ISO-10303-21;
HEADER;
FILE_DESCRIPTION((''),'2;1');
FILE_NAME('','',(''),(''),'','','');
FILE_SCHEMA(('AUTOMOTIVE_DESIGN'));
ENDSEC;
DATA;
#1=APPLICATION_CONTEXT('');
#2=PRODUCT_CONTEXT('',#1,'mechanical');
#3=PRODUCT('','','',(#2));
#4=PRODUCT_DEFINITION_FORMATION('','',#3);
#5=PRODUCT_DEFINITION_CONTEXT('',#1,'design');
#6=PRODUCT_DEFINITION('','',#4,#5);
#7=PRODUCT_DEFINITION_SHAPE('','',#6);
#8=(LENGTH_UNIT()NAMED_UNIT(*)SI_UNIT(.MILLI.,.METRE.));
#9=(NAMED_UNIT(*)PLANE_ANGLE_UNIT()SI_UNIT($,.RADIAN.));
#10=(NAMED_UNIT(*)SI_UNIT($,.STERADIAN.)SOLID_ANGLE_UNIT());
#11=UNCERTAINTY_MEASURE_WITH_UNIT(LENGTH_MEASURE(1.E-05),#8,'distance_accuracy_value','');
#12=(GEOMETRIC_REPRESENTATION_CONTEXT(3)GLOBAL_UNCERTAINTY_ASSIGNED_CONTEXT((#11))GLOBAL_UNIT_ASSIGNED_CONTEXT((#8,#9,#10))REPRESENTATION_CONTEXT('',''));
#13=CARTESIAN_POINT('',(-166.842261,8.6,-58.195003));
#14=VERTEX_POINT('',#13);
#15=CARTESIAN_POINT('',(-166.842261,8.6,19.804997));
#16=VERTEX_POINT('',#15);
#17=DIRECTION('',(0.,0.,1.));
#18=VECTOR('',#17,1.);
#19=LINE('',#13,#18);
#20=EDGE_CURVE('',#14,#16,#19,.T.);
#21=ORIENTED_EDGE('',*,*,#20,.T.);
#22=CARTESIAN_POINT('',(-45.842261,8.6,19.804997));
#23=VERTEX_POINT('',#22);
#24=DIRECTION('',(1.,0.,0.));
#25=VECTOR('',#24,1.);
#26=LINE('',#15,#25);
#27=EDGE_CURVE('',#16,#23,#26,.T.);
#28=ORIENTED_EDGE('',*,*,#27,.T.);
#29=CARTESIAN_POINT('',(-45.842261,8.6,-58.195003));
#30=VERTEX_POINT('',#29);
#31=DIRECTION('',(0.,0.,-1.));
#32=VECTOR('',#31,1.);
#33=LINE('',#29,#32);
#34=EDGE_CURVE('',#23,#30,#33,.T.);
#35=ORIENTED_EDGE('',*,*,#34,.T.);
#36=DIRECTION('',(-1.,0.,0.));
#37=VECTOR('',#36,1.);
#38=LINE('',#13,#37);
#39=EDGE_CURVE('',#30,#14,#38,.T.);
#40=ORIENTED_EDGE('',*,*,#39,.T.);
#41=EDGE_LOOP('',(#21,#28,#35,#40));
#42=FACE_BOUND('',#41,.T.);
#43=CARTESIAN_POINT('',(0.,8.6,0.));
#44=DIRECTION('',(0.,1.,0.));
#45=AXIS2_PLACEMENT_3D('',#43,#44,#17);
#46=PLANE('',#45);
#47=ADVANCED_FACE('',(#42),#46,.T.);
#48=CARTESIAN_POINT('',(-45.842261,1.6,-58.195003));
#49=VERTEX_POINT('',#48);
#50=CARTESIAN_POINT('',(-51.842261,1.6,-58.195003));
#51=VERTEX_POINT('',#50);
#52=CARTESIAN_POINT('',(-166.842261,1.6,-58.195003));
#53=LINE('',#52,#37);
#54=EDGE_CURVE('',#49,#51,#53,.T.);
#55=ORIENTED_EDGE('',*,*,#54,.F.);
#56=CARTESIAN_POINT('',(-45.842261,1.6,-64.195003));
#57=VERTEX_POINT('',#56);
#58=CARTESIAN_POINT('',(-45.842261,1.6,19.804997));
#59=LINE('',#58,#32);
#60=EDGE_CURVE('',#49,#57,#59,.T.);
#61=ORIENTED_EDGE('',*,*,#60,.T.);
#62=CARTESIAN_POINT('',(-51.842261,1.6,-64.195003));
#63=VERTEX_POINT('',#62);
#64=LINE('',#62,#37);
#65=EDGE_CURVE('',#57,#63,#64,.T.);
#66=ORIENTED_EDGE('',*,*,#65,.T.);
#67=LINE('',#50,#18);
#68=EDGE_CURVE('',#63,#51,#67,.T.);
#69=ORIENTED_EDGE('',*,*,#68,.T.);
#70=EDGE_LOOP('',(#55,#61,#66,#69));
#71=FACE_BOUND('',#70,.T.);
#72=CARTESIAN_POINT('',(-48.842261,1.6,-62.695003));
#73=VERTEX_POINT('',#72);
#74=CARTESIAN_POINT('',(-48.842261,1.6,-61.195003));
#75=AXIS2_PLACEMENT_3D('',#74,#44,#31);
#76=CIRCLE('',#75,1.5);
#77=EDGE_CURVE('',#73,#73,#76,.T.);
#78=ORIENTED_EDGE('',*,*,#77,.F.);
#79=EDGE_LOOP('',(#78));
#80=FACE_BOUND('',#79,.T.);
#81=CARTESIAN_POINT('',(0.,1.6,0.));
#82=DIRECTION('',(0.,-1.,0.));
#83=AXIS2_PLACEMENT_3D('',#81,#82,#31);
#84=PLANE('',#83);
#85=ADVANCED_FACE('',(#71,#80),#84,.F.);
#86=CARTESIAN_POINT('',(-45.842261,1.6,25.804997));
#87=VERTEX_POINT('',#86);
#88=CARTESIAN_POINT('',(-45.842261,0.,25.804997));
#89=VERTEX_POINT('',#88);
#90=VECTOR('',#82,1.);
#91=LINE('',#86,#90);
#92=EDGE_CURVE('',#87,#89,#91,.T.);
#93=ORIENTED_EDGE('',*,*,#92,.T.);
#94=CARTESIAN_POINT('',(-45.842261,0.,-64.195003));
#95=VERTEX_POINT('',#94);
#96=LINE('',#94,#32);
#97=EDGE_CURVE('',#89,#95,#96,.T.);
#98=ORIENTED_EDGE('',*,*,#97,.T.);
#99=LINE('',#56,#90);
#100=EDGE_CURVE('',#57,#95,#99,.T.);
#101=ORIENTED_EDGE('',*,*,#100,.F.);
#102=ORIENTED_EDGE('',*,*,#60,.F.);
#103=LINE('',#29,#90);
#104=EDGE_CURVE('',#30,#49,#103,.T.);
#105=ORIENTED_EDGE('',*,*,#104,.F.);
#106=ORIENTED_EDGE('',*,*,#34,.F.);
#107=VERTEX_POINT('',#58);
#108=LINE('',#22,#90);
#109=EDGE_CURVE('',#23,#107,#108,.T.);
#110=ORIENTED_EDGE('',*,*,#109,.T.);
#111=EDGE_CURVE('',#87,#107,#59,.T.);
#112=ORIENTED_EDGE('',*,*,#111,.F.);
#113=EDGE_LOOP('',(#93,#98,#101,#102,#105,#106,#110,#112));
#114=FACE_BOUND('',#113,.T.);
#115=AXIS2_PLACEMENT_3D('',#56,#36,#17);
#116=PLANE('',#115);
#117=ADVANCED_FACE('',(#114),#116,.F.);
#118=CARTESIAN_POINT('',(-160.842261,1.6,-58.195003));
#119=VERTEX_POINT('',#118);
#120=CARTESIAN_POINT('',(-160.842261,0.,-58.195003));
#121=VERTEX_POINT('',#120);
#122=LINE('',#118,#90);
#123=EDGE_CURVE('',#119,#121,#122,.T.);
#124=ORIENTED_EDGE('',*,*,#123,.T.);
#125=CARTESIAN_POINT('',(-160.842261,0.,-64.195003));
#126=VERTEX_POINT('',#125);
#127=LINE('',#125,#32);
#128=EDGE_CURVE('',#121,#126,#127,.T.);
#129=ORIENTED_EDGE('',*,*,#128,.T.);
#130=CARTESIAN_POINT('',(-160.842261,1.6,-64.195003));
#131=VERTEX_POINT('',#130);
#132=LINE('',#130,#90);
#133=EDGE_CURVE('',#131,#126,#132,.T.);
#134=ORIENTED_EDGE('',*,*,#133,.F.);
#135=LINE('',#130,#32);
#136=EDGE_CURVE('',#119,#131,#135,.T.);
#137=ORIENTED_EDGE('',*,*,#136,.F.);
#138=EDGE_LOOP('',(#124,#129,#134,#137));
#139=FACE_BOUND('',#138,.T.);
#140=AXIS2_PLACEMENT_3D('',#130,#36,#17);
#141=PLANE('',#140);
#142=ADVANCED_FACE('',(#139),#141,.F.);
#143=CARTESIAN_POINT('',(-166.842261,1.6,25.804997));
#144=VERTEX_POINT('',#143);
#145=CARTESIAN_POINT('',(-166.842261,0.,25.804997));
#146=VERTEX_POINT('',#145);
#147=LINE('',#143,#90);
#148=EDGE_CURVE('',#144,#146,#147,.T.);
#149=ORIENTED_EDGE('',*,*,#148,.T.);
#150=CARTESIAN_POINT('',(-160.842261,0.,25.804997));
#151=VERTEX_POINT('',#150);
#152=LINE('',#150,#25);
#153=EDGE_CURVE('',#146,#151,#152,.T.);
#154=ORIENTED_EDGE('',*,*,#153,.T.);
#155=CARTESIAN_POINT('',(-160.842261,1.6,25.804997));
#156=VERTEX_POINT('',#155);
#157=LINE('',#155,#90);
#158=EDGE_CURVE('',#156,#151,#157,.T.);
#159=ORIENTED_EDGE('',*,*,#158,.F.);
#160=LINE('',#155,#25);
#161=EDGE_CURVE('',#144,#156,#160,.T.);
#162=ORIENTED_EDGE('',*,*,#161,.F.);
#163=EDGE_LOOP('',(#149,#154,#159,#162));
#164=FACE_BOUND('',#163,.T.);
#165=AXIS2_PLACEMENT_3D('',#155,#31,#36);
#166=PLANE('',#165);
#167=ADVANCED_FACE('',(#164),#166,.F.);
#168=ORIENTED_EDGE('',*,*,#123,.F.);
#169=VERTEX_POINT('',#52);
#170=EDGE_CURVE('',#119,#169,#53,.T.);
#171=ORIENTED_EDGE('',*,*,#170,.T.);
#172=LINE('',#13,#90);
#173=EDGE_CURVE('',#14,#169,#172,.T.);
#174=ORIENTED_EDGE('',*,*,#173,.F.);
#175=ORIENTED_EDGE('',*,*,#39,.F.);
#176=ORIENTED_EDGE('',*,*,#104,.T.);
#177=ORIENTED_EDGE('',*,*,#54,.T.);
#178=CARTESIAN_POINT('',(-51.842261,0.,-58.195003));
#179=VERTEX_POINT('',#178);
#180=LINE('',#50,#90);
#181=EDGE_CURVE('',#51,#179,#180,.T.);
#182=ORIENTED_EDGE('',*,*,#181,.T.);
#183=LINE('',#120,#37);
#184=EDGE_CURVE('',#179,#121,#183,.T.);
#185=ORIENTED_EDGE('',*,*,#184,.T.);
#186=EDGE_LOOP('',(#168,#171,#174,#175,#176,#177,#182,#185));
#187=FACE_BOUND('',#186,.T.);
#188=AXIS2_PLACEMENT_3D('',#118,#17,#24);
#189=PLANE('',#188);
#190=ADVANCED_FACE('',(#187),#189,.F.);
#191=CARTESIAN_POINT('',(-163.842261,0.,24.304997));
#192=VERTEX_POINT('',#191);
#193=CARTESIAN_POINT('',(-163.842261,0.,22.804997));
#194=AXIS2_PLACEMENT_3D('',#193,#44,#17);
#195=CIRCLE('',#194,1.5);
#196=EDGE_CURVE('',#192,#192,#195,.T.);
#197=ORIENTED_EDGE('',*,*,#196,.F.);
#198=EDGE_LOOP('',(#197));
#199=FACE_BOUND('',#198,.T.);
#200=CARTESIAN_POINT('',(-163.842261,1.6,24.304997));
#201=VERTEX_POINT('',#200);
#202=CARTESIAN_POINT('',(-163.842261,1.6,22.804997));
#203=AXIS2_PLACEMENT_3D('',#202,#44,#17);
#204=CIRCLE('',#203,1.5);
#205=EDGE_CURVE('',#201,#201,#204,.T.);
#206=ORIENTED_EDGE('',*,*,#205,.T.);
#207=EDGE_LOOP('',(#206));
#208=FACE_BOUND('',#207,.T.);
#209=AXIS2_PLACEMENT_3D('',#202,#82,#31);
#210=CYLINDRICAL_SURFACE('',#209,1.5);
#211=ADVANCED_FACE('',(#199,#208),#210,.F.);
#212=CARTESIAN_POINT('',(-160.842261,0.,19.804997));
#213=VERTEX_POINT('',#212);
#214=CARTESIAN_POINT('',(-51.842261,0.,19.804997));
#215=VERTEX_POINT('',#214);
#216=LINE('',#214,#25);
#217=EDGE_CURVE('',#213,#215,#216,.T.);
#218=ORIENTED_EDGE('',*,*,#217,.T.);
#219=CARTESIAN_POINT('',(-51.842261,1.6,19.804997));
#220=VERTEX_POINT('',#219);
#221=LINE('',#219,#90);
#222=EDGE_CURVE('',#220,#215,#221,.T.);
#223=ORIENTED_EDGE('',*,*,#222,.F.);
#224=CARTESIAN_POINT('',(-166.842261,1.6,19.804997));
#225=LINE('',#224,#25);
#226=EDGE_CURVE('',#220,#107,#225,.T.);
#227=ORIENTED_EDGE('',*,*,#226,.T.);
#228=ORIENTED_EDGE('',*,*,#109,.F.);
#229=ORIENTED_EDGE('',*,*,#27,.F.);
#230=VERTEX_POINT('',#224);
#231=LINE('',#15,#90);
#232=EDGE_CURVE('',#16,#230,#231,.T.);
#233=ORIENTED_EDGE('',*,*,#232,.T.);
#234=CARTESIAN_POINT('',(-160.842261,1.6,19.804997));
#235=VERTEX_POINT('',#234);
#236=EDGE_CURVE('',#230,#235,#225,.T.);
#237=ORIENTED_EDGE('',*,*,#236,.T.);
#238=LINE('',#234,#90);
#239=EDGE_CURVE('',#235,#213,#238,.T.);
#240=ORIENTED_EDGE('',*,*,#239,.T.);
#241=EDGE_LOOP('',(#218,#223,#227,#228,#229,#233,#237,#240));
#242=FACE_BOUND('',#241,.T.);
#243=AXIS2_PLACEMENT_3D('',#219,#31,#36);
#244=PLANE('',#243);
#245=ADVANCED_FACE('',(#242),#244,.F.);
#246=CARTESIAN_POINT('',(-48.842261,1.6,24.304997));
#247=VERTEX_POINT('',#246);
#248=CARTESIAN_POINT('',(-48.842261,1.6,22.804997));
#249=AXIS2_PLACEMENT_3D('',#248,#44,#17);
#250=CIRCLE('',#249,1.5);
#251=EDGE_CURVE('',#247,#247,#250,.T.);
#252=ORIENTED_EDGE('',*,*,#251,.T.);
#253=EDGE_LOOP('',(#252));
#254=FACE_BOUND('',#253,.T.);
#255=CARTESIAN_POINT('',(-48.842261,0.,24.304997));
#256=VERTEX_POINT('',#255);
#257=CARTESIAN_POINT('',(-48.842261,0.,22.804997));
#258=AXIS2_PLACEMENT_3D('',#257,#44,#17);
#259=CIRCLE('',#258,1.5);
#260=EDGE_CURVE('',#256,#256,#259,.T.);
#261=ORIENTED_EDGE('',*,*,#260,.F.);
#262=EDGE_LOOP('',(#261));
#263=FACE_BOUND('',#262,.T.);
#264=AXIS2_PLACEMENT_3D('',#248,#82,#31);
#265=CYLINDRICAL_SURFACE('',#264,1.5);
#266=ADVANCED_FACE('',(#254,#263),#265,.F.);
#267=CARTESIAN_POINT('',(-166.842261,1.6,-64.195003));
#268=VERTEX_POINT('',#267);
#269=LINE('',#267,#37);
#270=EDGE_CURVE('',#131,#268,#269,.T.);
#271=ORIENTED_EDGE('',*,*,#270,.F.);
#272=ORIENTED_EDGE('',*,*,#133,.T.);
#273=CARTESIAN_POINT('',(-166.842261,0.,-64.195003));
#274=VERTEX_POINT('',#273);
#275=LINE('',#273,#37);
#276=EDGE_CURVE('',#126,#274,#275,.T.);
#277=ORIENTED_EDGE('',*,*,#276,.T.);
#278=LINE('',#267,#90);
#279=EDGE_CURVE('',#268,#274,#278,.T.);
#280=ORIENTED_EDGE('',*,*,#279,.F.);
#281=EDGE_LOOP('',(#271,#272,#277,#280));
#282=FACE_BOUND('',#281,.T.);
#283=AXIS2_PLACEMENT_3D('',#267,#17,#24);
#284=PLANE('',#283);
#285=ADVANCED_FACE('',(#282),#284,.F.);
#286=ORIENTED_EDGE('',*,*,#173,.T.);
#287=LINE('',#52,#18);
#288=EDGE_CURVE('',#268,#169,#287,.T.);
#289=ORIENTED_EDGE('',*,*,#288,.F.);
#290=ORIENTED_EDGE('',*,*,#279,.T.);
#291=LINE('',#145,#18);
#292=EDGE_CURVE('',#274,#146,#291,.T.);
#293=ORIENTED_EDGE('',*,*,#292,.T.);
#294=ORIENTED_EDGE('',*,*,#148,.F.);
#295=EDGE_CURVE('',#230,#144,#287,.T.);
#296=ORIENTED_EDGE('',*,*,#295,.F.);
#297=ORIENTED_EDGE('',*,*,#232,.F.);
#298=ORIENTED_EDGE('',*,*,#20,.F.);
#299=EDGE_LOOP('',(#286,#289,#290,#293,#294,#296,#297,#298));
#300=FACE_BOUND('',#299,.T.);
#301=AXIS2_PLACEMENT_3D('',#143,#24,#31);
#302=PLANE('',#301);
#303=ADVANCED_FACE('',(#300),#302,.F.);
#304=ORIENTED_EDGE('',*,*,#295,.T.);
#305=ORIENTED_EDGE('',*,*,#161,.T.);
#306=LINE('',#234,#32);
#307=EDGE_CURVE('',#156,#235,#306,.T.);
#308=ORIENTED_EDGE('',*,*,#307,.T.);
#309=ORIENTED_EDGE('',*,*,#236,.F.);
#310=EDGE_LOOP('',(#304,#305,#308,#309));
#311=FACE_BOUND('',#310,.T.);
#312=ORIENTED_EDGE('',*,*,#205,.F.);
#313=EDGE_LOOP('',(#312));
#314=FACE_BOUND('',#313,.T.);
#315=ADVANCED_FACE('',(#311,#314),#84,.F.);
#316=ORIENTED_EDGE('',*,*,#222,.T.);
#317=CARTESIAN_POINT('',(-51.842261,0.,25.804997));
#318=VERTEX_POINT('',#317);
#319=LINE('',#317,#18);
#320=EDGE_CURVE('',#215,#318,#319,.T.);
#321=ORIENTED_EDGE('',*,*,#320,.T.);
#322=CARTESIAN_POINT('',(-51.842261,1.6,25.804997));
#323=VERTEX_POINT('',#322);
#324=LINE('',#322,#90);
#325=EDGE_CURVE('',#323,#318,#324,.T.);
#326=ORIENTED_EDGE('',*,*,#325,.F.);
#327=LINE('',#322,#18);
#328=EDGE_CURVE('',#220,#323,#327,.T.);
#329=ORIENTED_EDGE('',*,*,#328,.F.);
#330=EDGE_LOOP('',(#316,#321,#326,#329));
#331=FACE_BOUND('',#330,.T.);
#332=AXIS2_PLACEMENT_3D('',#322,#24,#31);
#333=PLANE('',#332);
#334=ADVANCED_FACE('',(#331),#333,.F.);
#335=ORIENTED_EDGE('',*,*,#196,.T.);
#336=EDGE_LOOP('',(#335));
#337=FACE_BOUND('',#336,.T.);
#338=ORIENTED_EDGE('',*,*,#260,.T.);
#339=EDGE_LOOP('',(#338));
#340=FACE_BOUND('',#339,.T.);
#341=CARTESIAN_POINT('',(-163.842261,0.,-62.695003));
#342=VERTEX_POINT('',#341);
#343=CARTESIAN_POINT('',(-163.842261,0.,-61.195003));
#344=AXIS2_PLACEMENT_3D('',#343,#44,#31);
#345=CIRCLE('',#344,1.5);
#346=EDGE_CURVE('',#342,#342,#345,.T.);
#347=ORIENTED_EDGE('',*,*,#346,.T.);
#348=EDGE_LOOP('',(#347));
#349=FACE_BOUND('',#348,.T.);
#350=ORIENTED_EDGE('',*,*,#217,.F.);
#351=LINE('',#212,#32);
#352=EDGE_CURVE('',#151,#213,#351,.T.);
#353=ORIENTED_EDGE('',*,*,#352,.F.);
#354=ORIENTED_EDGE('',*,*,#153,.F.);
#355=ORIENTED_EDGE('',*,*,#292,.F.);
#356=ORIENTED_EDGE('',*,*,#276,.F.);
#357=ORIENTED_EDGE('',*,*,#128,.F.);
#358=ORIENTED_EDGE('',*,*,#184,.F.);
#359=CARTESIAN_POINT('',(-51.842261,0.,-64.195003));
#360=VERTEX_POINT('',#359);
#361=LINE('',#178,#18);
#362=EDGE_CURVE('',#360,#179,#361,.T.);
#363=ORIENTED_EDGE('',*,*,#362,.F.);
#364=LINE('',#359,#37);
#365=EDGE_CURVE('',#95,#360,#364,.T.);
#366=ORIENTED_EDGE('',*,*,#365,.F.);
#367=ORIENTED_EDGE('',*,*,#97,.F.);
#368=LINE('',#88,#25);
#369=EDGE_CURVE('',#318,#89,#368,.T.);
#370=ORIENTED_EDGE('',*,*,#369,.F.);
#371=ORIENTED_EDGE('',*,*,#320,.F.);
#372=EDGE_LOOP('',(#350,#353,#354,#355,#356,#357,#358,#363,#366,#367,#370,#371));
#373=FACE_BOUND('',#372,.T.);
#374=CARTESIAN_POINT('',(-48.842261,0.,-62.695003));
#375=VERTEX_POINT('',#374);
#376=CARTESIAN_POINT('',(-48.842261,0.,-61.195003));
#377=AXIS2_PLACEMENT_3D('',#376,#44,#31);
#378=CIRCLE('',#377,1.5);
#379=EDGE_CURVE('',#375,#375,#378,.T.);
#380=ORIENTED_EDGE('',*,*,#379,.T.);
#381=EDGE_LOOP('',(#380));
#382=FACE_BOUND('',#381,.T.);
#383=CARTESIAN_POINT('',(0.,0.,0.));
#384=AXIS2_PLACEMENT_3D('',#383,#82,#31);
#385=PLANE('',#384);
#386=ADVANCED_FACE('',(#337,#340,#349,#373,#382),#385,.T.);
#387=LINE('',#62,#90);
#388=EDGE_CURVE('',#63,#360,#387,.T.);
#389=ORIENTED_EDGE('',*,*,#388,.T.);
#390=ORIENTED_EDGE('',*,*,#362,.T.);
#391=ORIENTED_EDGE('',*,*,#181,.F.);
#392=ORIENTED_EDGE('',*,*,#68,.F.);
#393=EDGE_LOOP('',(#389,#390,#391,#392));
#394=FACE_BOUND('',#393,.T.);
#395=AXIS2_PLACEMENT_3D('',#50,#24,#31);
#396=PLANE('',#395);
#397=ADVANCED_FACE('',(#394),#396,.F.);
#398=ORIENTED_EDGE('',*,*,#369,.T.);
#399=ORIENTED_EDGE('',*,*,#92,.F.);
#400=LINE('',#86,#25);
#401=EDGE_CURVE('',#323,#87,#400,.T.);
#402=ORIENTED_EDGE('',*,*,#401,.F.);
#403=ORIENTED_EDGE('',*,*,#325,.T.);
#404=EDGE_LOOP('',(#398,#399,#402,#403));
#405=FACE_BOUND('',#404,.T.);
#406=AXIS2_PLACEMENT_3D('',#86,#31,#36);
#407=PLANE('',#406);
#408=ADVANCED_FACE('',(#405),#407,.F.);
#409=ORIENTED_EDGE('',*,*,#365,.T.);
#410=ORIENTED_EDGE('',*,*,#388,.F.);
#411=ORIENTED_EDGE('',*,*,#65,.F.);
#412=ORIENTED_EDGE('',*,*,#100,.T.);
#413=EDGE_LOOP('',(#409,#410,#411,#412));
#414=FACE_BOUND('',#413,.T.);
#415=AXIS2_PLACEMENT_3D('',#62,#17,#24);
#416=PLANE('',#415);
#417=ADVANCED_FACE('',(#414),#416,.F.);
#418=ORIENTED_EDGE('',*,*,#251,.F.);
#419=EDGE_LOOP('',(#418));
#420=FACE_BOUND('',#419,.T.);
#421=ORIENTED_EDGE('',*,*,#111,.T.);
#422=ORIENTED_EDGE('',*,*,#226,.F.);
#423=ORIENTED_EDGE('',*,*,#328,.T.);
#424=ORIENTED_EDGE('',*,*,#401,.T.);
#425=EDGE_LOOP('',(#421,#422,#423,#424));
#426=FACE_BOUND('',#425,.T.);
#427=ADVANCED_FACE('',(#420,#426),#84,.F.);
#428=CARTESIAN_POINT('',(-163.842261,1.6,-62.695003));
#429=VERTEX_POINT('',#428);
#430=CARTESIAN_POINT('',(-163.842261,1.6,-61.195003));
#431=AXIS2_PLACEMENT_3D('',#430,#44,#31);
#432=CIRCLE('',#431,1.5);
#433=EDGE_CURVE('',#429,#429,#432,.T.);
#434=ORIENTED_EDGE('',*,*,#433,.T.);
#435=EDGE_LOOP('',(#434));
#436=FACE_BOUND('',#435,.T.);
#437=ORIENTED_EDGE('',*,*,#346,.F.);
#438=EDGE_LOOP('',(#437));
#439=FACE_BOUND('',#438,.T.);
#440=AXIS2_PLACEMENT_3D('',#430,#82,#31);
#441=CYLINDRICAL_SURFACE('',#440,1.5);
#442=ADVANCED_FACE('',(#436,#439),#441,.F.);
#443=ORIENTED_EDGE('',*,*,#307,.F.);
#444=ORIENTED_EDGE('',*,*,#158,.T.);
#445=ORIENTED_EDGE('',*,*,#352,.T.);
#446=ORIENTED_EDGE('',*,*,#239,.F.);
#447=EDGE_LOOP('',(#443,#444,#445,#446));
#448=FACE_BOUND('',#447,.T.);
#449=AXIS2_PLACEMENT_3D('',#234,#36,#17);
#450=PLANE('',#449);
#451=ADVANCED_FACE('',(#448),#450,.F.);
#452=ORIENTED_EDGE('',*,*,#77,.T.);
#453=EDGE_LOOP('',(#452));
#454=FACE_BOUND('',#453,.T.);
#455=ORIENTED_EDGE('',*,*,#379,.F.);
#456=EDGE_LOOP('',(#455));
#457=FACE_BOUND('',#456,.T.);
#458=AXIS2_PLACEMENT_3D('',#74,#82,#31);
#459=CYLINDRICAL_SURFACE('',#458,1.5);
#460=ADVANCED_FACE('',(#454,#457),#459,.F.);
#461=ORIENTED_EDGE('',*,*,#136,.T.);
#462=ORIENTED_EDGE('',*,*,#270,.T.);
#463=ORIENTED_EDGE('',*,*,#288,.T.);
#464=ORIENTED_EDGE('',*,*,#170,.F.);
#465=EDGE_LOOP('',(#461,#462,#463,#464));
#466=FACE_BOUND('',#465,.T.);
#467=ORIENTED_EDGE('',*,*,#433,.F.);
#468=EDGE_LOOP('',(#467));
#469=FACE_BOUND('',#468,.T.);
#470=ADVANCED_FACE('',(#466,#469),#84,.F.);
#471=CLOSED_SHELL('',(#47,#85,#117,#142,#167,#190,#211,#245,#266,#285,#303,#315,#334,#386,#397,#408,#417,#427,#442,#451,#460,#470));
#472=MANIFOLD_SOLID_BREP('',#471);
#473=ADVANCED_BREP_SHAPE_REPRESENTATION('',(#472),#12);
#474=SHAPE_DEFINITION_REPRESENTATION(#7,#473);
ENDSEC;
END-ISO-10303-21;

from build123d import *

# Parameters (mm, degrees)
SKETCH1_R           = 1.5
BOSS_EXTRUDE1_DEPTH = 1.6
SKETCH2_W           = 121
SKETCH2_H           = 78
BOSS_EXTRUDE2_DEPTH = 7


with BuildPart() as part:
    # Sketch1 → Boss-Extrude1 (new body)
    with BuildSketch(Plane(origin=(0, 0, 0), x_dir=(1, 0, 0), z_dir=(0, 1, 0))):
        Polygon((-166.842260972, 58.195002586), (-166.842260972, -19.804997414), (-166.842260972, -25.804997414), (-160.842260972, -25.804997414), (-160.842260972, -19.804997414), (-51.842260972, -19.804997414), (-51.842260972, -25.804997414), (-45.842260972, -25.804997414), (-45.842260972, -19.804997414), (-45.842260972, 58.195002586), (-45.842260972, 64.195002586), (-51.842260972, 64.195002586), (-51.842260972, 58.195002586), (-160.842260972, 58.195002586), (-160.842260972, 64.195002586), (-166.842260972, 64.195002586), align=None)
        with Locations(Location((-48.842260972, -22.804997414, 0), (0, 0, 270))):
            Circle(SKETCH1_R, mode=Mode.SUBTRACT)
        with Locations(Location((-163.842260972, -22.804997414, 0), (0, 0, 270))):
            Circle(SKETCH1_R, mode=Mode.SUBTRACT)
        with Locations(Location((-48.842260972, 61.195002586, 0), (0, 0, 90))):
            Circle(SKETCH1_R, mode=Mode.SUBTRACT)
        with Locations(Location((-163.842260972, 61.195002586, 0), (0, 0, 90))):
            Circle(SKETCH1_R, mode=Mode.SUBTRACT)
    extrude(amount=BOSS_EXTRUDE1_DEPTH)

    # Sketch2 → Boss-Extrude2 (add)
    with BuildSketch(Plane(origin=(0, 1.6, 0), x_dir=(1, 0, 0), z_dir=(0, 1, 0))):
        with Locations((-106.342260972, 19.195002586)):
            Rectangle(SKETCH2_W, SKETCH2_H)
    extrude(amount=BOSS_EXTRUDE2_DEPTH)


solid = part.part
